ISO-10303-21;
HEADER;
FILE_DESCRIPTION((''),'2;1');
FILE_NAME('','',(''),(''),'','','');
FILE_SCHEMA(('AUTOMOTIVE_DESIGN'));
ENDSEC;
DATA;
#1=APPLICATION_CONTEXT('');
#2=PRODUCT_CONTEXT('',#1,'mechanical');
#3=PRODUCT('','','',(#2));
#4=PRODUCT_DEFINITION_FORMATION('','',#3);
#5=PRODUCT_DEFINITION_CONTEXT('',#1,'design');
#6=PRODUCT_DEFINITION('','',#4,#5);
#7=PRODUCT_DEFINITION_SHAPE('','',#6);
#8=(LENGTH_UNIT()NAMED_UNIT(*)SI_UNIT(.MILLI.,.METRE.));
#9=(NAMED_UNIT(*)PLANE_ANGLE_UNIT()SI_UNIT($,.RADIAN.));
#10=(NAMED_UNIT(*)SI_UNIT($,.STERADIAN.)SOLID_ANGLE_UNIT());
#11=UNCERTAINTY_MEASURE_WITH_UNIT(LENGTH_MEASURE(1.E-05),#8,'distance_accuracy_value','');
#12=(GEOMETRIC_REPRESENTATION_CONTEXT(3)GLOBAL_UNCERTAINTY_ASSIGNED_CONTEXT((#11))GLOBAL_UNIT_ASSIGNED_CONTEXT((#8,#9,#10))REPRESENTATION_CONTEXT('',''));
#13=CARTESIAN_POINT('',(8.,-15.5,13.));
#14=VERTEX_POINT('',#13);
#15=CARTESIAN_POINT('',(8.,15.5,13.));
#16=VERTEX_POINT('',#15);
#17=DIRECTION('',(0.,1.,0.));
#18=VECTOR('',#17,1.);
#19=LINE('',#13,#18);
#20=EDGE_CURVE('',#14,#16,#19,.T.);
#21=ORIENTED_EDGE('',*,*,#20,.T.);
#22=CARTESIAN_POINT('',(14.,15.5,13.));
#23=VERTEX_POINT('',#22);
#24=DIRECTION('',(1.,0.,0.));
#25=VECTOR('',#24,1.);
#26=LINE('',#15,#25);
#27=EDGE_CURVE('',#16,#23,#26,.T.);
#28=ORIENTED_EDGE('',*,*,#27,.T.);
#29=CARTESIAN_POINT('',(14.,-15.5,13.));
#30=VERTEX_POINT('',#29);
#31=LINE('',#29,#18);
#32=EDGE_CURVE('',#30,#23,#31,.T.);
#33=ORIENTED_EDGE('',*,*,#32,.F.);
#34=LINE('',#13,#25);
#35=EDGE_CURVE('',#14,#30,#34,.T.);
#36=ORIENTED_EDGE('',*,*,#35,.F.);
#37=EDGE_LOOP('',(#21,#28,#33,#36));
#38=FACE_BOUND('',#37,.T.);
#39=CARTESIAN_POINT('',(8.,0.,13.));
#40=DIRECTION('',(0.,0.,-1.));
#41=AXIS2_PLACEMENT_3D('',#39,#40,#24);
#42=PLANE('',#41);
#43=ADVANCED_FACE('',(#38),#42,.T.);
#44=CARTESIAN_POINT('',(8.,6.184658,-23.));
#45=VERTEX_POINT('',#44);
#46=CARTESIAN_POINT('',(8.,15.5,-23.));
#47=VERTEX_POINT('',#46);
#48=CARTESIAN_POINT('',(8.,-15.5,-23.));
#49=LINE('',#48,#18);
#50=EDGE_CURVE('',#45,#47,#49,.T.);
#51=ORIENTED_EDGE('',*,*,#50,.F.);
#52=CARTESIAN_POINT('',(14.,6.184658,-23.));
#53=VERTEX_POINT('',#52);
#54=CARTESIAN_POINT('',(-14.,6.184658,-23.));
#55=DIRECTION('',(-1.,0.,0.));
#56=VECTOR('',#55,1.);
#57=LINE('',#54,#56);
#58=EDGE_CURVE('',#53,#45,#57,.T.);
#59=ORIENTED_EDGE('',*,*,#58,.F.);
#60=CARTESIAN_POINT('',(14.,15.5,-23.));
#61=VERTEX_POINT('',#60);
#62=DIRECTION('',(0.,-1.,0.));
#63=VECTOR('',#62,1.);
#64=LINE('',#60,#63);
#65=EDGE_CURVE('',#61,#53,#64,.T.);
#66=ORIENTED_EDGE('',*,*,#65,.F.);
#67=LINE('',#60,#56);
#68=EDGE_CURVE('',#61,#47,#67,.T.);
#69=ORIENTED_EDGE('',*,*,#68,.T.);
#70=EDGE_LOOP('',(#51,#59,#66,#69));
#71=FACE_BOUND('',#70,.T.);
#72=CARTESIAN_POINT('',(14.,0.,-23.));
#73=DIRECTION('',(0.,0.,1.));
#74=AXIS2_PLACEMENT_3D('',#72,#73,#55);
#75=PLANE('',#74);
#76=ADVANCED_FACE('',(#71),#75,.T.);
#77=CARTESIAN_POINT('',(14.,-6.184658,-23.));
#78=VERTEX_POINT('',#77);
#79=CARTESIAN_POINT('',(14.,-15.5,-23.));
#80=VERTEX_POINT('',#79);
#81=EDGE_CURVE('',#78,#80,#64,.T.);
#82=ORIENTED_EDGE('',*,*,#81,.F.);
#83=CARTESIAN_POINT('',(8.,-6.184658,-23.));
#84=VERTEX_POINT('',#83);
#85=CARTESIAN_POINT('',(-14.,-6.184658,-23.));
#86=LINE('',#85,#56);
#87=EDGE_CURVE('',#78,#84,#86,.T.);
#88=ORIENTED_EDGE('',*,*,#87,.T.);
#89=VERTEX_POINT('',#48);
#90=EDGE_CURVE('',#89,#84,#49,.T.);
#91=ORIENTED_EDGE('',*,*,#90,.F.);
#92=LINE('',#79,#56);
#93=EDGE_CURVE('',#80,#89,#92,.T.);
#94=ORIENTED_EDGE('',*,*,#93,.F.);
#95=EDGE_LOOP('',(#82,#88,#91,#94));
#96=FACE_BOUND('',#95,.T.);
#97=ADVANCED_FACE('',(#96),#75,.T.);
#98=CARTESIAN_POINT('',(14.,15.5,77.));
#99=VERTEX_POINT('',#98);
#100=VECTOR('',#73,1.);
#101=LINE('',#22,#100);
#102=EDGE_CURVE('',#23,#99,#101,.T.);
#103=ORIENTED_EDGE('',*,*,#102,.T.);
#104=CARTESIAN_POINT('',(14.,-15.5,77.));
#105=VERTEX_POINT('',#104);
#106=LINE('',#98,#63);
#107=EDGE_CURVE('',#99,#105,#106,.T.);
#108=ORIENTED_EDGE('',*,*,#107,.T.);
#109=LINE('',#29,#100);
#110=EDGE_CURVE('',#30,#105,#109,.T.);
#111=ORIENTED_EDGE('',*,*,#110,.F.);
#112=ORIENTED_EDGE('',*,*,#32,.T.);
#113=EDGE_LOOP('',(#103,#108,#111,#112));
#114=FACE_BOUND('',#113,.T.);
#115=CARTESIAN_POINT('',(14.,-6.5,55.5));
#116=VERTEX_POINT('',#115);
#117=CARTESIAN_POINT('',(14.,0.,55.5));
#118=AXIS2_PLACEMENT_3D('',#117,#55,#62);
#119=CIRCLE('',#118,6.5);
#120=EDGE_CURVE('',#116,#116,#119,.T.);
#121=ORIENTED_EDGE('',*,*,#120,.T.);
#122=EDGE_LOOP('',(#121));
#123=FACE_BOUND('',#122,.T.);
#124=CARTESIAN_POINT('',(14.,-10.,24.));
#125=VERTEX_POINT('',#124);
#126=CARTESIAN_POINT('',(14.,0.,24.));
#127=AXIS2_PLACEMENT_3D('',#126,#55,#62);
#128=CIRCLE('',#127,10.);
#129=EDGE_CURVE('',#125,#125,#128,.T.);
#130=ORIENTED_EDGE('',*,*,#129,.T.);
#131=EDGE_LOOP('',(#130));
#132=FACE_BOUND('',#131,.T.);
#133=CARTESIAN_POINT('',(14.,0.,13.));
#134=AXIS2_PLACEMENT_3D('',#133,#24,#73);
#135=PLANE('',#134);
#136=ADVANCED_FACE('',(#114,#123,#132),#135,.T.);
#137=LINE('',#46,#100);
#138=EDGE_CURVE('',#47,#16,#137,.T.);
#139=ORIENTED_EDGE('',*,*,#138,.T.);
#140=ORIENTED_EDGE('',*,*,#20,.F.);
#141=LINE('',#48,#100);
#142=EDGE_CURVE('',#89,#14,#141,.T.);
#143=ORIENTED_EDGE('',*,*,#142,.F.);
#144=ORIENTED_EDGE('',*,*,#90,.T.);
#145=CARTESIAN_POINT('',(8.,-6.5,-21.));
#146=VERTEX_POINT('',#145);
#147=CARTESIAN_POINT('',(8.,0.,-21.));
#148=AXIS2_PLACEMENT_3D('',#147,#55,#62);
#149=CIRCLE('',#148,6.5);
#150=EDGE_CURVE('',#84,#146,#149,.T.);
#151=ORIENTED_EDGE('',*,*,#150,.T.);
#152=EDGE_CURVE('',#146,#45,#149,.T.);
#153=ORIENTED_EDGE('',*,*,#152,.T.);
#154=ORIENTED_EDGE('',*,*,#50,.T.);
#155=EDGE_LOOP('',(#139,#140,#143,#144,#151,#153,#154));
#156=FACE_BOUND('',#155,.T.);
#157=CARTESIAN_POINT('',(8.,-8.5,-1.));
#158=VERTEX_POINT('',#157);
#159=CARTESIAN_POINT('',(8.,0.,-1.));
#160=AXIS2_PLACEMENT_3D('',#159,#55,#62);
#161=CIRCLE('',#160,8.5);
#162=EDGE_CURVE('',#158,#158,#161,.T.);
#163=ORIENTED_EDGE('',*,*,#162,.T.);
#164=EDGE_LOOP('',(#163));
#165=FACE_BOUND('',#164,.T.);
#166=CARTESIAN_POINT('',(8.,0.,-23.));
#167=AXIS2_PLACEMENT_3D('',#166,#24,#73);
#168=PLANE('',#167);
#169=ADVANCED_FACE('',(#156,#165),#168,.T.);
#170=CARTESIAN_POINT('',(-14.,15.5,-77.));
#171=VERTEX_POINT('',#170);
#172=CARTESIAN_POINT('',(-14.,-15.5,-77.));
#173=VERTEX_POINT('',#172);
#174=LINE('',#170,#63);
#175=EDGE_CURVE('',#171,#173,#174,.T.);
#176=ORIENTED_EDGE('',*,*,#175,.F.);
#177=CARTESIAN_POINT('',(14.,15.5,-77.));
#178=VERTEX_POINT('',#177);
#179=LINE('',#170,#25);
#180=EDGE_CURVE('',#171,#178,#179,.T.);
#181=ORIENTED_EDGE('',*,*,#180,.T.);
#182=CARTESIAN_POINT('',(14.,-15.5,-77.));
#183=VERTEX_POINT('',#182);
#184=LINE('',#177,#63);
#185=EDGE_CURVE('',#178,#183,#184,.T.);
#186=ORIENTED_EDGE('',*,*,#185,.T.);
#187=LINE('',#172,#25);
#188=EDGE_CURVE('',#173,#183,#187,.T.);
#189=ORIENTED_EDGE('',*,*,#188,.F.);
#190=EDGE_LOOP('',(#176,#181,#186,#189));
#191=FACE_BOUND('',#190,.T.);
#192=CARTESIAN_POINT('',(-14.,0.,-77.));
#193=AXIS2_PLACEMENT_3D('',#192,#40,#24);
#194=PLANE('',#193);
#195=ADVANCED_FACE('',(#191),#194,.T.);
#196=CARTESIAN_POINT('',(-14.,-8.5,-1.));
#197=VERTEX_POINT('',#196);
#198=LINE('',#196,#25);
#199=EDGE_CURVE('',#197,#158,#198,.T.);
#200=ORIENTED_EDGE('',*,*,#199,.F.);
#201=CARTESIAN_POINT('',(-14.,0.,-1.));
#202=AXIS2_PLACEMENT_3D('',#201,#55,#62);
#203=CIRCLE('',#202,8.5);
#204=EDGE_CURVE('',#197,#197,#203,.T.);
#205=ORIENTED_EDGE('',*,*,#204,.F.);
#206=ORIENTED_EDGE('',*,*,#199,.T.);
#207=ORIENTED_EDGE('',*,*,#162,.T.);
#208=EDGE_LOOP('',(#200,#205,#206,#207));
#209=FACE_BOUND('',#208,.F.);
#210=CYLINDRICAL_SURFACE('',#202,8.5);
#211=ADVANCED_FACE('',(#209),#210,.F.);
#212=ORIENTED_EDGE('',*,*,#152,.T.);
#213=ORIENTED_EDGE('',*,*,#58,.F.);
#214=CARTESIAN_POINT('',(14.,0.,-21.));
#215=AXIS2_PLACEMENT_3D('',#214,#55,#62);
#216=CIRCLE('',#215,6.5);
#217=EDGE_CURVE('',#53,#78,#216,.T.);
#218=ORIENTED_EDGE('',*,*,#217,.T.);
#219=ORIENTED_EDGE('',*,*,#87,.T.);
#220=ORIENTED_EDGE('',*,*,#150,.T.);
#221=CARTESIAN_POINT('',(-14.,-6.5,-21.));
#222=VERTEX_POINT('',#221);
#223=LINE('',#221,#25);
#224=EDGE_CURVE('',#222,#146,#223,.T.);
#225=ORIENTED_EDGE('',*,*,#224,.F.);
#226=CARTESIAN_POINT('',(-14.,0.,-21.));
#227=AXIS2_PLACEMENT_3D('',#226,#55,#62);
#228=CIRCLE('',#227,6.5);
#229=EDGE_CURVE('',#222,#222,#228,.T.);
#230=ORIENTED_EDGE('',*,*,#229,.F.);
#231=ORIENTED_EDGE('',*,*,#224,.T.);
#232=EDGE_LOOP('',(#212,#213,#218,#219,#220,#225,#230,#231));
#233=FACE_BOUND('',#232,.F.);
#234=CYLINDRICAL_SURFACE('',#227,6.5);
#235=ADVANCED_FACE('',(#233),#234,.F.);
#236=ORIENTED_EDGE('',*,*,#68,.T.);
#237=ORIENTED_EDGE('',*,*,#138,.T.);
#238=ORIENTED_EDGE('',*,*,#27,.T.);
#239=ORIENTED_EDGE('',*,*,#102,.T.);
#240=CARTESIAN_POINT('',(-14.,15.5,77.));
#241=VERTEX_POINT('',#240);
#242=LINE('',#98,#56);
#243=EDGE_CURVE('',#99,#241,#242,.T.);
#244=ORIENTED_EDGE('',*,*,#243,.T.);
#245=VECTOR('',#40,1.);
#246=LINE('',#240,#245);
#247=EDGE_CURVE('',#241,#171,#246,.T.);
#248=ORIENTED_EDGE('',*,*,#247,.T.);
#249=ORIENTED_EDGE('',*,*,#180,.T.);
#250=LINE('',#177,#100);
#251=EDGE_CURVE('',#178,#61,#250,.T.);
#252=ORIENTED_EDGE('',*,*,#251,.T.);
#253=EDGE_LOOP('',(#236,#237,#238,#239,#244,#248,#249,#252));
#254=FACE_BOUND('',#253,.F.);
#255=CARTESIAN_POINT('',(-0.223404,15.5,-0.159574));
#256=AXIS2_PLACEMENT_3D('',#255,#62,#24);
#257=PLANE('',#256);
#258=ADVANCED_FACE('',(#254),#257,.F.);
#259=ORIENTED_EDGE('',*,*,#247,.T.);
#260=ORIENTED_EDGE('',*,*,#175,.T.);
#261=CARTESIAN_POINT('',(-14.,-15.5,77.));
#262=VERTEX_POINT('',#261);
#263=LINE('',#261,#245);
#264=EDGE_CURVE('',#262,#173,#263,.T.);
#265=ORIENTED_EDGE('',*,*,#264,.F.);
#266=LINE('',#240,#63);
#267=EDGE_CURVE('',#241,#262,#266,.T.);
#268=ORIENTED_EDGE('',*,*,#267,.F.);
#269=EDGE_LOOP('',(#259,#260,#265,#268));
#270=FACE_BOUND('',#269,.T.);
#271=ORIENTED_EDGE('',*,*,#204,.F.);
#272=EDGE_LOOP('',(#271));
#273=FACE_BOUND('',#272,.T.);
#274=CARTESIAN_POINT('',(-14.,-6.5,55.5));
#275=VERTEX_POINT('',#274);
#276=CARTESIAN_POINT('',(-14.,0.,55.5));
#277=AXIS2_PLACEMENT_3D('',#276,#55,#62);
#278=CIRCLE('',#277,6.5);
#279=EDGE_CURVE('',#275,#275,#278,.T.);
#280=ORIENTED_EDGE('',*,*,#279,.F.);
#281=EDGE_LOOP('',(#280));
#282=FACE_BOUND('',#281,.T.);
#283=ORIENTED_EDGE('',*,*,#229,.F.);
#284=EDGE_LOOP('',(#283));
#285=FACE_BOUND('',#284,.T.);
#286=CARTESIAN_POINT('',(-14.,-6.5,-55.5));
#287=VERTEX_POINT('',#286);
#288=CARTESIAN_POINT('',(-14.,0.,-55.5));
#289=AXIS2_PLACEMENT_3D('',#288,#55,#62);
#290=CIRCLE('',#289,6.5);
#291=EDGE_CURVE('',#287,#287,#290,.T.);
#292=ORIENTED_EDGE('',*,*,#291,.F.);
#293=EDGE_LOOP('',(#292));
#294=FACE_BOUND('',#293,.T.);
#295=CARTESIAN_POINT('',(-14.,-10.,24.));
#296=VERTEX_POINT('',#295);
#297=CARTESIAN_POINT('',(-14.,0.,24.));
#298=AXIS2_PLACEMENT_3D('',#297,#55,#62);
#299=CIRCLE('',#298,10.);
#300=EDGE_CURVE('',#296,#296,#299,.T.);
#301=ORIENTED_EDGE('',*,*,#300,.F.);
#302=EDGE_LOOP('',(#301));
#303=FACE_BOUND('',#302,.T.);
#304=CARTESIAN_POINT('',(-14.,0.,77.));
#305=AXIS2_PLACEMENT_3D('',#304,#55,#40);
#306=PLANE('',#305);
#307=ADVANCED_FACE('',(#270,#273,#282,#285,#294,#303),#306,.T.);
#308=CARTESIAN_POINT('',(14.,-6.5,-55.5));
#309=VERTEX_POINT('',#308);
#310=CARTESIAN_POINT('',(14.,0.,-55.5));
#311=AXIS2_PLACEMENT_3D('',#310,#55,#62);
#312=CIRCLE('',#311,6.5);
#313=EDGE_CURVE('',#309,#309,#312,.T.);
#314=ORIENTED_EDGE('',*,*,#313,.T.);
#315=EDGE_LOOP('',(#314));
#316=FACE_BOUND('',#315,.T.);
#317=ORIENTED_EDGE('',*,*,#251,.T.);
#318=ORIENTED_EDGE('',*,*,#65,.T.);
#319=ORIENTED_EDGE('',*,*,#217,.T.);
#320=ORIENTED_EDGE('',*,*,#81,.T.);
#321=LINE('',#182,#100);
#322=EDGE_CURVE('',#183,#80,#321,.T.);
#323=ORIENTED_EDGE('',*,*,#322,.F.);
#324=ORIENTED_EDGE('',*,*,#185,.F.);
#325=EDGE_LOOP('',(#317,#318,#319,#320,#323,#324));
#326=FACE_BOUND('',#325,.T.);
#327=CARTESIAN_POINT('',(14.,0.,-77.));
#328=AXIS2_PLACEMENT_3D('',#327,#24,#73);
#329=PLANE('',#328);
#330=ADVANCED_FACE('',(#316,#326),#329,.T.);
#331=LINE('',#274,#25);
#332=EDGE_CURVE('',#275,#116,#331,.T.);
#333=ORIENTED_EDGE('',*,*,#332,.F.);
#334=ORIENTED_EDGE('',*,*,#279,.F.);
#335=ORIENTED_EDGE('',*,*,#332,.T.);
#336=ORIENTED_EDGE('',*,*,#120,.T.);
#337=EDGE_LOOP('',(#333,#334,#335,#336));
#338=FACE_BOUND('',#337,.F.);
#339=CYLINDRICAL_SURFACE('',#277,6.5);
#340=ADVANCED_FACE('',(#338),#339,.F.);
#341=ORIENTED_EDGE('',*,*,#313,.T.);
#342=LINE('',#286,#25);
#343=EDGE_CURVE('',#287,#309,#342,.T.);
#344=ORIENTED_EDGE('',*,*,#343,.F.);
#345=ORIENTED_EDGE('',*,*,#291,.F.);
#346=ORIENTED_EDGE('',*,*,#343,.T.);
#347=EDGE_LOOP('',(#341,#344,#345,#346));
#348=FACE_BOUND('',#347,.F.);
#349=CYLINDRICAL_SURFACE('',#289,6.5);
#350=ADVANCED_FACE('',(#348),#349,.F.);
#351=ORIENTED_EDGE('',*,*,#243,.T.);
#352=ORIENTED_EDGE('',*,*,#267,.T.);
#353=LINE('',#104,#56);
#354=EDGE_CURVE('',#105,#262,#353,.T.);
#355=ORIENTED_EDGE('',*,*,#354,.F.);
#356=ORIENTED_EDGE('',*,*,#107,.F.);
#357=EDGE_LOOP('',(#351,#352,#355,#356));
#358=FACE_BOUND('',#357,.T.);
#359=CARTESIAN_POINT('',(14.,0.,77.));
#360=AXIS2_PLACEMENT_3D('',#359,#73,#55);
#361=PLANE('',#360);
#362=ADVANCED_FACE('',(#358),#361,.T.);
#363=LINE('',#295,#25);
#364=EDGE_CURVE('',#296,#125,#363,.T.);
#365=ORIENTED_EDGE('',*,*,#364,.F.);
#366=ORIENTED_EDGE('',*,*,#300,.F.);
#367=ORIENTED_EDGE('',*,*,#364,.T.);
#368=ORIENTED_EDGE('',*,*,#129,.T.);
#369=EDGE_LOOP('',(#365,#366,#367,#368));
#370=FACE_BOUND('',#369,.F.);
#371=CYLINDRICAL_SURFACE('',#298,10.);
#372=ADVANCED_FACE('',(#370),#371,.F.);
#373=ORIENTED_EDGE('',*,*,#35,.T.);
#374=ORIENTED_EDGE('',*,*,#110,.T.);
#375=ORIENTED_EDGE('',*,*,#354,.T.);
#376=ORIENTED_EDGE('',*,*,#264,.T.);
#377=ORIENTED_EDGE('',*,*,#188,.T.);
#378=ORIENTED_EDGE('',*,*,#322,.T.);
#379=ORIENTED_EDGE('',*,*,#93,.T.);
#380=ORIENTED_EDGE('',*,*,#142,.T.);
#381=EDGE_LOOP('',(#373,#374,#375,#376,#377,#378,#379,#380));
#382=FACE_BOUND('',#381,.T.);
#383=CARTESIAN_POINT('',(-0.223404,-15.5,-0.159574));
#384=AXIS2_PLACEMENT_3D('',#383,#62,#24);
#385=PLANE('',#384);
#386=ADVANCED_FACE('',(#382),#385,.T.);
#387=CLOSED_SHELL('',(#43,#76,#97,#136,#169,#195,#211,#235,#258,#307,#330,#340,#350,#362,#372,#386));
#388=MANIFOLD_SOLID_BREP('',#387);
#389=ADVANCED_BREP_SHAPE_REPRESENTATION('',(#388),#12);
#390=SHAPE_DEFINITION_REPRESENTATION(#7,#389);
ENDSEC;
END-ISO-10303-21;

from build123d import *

# Parameters (mm, degrees)
F1_DEPTH = 15.5
F2_R     = 6.5
F2_R_2   = 10
F2_R_3   = 8.5
F3_DEPTH = 28.001


with BuildPart() as f1:
    # F0 (on Front) → F1 (new body, symmetric)
    with BuildSketch(Plane.XZ):
        Polygon((14, 13), (14, 77), (-14, 77), (-14, -77), (14, -77), (14, -23), (8, -23), (8, 13), align=None)
    extrude(amount=F1_DEPTH, both=True)

    # F2 (on face) → F3 (cut, through all)
    with BuildSketch(Plane(origin=(-14, 0, 0), x_dir=(0, -1, 0), z_dir=(-1, 0, 0))):
        with Locations((0, 55.5)):
            Circle(F2_R)
        with Locations((0, 24)):
            Circle(F2_R_2)
        with Locations((0, -1)):
            Circle(F2_R_3)
        with Locations((0, -21)):
            Circle(F2_R)
        with Locations((0, -55.5)):
            Circle(F2_R)
    extrude(amount=-F3_DEPTH, mode=Mode.SUBTRACT)


solid = f1.part
